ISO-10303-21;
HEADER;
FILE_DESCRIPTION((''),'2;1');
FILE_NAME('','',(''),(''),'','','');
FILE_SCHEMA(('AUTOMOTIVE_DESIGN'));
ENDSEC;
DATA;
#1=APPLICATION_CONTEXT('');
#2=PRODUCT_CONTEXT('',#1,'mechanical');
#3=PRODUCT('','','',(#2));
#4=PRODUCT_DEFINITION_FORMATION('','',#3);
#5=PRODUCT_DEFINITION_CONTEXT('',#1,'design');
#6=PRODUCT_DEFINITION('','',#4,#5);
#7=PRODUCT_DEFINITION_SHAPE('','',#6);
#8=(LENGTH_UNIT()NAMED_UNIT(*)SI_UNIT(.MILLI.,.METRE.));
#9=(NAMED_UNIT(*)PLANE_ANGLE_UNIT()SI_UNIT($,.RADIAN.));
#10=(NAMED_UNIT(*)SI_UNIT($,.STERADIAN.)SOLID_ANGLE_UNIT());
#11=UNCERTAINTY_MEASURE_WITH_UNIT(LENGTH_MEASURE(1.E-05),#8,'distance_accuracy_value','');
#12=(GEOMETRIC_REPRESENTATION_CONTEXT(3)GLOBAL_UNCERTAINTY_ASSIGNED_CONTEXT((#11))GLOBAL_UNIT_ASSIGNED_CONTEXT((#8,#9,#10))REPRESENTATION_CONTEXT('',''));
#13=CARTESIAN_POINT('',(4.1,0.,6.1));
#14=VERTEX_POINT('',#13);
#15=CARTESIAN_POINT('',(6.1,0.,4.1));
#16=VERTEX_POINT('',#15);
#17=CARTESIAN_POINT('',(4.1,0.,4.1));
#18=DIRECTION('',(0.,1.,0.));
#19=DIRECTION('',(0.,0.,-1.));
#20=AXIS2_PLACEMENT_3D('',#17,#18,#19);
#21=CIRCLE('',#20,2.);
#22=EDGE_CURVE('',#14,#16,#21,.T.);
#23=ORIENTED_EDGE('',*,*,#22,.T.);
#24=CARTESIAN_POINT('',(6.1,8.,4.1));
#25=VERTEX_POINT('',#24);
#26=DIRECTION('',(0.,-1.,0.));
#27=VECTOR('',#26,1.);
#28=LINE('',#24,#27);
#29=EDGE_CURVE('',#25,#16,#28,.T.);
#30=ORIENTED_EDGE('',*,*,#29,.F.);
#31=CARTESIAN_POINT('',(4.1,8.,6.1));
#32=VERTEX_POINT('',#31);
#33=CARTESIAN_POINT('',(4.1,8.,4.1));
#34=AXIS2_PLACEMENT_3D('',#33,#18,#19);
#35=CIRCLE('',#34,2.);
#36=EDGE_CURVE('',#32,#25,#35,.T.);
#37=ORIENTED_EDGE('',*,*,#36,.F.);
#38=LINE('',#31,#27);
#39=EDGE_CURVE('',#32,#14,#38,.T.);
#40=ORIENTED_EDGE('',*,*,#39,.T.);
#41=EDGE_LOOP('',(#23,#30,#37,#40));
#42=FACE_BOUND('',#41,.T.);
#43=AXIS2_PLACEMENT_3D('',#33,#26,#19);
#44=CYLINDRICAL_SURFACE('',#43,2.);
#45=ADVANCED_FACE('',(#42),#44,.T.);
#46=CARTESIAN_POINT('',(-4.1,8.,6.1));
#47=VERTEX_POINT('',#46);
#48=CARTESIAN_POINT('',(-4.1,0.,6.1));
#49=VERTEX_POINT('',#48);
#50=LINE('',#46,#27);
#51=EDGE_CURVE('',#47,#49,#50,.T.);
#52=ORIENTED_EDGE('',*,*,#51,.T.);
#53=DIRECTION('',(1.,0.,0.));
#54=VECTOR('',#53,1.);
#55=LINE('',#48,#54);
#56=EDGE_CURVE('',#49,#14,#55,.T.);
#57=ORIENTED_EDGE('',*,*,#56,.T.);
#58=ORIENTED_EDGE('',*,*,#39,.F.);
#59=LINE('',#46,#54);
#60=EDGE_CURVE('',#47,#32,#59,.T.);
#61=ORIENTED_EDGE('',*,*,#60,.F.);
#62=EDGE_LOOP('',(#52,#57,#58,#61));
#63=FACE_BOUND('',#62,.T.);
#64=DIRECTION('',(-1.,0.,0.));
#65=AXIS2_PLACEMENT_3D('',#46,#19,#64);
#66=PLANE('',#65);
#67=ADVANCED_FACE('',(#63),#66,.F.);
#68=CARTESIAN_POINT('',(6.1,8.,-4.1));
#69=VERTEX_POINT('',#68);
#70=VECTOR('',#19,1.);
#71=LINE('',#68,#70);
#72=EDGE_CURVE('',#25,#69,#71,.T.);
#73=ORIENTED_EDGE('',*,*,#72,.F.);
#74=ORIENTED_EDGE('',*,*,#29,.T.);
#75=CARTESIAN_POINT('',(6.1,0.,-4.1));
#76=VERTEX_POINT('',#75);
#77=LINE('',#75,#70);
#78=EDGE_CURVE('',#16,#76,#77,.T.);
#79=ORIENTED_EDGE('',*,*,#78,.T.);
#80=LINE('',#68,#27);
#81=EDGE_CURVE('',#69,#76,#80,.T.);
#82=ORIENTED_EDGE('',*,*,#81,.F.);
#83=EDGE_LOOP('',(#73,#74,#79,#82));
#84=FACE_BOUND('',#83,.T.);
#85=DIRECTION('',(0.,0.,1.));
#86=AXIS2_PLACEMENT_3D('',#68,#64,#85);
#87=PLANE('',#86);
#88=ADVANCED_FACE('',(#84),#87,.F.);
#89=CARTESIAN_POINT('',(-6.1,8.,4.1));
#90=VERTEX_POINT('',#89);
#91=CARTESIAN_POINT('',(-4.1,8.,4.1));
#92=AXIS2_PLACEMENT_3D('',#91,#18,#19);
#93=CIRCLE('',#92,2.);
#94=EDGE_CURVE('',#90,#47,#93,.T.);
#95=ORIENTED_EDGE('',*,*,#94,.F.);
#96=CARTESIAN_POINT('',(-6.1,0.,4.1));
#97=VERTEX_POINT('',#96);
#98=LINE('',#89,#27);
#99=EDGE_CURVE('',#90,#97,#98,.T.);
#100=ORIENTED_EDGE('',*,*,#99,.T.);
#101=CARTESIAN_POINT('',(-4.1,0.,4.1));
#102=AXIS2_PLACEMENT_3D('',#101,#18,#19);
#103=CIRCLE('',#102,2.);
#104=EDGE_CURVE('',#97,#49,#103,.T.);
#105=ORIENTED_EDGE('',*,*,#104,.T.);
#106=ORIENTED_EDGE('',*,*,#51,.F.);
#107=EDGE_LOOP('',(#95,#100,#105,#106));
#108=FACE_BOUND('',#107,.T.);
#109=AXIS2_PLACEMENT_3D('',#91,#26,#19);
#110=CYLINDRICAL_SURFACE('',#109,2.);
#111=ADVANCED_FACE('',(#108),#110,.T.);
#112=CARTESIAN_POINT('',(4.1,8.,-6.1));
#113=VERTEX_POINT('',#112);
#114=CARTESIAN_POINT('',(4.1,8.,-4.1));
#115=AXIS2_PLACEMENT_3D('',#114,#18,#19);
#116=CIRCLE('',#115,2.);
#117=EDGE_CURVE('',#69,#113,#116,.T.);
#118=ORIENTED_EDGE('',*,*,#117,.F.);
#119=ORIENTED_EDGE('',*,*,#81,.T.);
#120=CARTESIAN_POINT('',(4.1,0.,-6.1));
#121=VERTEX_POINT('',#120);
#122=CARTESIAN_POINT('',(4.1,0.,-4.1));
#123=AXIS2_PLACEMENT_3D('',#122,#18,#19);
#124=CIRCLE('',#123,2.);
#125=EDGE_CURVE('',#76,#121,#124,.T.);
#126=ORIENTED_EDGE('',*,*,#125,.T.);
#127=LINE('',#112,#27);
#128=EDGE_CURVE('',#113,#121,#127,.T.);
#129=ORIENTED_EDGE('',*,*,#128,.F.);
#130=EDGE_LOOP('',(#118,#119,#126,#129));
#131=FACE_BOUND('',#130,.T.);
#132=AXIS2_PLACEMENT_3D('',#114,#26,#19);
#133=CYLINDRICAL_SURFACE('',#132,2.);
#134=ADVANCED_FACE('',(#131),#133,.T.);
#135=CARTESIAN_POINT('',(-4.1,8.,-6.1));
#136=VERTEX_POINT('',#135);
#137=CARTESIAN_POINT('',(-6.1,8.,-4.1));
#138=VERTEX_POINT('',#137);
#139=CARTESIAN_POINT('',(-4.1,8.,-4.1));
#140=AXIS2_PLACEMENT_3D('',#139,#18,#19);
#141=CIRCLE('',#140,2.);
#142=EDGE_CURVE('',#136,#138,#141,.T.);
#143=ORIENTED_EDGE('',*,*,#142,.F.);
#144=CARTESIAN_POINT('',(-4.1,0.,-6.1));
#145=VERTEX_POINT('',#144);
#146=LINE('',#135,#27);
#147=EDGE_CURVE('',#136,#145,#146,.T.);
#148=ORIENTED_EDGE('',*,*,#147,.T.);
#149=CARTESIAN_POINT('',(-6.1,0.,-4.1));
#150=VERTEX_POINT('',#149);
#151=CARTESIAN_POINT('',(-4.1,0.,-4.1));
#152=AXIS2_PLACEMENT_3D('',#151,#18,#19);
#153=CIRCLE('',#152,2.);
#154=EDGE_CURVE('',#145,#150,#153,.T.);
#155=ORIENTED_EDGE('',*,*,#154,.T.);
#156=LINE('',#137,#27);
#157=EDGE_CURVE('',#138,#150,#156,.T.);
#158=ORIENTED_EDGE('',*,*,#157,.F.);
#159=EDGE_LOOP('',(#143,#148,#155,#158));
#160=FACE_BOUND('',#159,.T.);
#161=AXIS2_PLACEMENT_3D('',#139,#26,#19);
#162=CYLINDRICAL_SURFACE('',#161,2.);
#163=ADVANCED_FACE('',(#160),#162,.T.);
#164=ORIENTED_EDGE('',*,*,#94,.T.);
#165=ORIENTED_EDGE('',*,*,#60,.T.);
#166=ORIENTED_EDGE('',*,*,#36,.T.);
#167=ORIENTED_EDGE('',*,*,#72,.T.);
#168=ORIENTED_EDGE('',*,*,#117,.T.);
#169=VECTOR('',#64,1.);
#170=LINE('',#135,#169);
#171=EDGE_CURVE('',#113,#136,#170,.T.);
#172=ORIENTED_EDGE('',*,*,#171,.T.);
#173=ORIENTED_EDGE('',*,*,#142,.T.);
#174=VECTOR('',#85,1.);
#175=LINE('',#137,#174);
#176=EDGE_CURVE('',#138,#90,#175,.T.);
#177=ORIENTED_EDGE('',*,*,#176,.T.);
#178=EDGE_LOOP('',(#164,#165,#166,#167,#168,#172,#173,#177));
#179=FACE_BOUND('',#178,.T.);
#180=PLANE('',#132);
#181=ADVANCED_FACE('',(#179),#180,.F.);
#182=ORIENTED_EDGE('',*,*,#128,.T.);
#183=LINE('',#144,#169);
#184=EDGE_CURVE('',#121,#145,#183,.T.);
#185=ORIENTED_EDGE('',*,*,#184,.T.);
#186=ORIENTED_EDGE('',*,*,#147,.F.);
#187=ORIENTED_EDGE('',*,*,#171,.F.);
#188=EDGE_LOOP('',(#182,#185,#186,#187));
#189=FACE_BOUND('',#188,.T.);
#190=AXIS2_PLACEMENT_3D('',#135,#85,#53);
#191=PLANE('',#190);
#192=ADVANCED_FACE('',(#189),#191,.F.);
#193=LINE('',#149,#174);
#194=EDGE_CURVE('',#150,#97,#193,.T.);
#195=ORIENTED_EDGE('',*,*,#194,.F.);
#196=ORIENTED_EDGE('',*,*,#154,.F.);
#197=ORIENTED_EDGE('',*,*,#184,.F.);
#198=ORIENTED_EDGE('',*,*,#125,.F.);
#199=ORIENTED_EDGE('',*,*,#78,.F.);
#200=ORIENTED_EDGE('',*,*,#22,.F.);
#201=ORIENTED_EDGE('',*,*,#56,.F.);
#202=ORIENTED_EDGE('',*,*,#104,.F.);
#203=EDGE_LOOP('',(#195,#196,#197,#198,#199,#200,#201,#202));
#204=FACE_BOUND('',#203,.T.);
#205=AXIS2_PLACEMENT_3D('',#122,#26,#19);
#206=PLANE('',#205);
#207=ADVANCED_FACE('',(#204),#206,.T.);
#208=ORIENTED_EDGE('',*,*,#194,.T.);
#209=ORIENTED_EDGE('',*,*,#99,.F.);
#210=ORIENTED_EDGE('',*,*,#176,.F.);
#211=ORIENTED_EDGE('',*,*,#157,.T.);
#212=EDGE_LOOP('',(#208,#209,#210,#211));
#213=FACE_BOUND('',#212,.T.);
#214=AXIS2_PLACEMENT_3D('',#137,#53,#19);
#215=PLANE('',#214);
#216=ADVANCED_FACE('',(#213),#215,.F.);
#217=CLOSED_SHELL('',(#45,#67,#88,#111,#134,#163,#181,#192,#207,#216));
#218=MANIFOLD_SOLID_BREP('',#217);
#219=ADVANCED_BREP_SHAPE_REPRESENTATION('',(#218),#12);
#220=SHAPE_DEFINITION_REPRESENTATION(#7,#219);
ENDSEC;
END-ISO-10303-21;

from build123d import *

# Parameters (mm, degrees)
BOSS_EXTRUDE1_DEPTH = 8


with BuildPart() as part:
    # Sketch1 → Boss-Extrude1 (new body)
    with BuildSketch(Plane(origin=(0, 0, 0), x_dir=(1, 0, 0), z_dir=(0, 1, 0))):
        with BuildLine():
            Line((-4.1, 6.1), (4.1, 6.1))
            ThreePointArc((4.1, 6.1), (5.514213562, 5.514213562), (6.1, 4.1))
            Line((6.1, 4.1), (6.1, -4.1))
            ThreePointArc((6.1, -4.1), (5.514213562, -5.514213562), (4.1, -6.1))
            Line((4.1, -6.1), (-4.1, -6.1))
            ThreePointArc((-4.1, -6.1), (-5.514213562, -5.514213562), (-6.1, -4.1))
            Line((-6.1, -4.1), (-6.1, 4.1))
            ThreePointArc((-6.1, 4.1), (-5.514213562, 5.514213562), (-4.1, 6.1))
        make_face()
    extrude(amount=BOSS_EXTRUDE1_DEPTH)


solid = part.part
